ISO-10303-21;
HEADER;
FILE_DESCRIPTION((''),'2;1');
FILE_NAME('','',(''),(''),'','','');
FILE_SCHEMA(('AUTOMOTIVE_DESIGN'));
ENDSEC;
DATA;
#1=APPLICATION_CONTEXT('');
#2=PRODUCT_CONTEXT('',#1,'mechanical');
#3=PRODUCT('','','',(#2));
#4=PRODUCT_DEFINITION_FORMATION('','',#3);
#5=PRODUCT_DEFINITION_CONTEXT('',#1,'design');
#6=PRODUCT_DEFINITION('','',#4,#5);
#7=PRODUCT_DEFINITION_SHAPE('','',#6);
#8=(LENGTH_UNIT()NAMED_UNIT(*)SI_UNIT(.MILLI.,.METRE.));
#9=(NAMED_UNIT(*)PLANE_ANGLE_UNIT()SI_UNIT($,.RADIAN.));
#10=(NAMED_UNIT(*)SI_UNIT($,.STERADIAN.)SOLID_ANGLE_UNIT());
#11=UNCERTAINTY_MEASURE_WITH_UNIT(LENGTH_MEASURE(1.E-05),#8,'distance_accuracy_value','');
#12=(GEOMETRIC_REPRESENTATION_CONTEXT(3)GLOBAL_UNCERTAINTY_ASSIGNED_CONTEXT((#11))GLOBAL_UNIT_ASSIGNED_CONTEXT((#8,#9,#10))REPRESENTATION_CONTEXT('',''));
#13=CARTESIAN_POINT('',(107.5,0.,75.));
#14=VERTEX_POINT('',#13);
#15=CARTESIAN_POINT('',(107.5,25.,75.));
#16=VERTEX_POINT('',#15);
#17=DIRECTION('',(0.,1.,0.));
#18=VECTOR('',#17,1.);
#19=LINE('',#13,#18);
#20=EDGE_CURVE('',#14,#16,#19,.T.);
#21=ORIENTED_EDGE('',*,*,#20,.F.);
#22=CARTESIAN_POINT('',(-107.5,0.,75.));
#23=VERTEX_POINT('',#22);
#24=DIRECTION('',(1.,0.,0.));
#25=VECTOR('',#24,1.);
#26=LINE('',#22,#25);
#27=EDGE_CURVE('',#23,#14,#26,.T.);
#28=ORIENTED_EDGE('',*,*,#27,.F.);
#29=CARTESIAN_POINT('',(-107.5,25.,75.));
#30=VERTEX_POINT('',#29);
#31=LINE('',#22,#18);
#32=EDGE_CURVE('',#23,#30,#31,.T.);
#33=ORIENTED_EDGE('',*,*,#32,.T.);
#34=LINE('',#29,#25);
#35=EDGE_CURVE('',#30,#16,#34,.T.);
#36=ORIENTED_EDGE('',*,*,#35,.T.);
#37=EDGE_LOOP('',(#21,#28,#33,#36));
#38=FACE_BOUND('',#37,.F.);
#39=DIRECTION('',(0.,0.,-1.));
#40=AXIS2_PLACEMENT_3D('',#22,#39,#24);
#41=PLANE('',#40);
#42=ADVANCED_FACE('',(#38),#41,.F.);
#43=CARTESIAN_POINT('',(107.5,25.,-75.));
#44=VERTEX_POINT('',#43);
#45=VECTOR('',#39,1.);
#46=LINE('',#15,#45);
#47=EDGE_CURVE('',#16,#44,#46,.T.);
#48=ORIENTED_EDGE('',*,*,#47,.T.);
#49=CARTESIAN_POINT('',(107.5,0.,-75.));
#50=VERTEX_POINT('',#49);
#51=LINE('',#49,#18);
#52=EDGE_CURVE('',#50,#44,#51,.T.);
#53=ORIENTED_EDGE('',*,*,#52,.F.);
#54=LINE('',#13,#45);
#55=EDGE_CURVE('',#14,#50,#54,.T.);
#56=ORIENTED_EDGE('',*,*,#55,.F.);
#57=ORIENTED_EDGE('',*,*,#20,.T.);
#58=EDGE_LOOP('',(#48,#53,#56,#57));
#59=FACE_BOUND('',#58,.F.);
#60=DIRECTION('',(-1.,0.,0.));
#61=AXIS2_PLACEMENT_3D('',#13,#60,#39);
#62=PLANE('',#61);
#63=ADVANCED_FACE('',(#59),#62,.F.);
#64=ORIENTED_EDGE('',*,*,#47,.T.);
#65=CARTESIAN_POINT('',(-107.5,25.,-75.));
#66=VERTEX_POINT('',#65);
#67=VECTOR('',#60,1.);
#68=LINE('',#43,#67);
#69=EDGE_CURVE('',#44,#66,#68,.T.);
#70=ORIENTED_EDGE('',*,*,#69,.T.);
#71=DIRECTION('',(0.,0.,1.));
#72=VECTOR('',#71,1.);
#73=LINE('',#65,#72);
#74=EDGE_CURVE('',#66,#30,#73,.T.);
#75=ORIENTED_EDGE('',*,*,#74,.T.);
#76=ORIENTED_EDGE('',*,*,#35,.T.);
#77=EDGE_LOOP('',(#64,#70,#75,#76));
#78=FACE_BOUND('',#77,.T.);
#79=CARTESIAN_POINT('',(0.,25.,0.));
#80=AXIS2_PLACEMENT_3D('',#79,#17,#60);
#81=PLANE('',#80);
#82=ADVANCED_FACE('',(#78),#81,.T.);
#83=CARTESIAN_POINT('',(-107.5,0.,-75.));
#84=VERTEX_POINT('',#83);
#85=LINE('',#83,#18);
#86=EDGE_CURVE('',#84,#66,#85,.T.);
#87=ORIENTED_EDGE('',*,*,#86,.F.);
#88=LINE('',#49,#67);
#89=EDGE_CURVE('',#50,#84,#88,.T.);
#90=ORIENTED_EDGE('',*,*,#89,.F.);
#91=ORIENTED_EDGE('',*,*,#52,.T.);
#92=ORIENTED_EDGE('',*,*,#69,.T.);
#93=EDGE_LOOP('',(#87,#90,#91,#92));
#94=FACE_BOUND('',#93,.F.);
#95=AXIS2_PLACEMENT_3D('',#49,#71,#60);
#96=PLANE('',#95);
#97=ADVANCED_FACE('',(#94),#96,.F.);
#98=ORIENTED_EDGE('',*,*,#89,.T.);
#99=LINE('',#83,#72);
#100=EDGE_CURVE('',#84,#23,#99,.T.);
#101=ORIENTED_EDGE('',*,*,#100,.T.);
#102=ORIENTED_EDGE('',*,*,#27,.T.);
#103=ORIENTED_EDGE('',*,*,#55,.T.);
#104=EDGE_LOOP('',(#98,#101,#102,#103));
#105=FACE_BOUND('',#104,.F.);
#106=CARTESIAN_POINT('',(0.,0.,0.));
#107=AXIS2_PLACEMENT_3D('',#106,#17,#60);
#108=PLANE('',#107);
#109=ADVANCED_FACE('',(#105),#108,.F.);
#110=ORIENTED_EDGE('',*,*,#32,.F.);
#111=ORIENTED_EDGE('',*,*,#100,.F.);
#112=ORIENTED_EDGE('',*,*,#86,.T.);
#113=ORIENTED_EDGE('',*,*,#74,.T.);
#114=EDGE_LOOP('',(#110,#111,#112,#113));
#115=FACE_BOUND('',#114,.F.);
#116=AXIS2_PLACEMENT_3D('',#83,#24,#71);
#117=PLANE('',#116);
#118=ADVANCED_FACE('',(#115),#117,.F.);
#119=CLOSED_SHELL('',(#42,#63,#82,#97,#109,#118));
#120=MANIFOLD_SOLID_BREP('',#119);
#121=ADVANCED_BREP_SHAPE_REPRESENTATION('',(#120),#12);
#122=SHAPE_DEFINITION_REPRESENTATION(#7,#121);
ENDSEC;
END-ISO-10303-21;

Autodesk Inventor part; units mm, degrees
ref_plane "YZ Plane" through (0, 0, 0) normal (1, 0, 0) x (0, 1, 0)
ref_plane "XZ Plane" through (0, 0, 0) normal (0, 1, 0) x (-1, 0, 0)
ref_plane "XY Plane" through (0, 0, 0) normal (0, 0, 1) x (1, 0, 0)
sketch "Sketch1" plane through (0, 0, 0) normal (0, 1, 0) x (-1, 0, 0)
  line L0 (107.5, 75) -> (-107.5, 75)
  line L1 (-107.5, 75) -> (-107.5, -75)
  line L2 (-107.5, -75) -> (107.5, -75)
  line L3 (107.5, -75) -> (107.5, 75)
  line L4 (107.5, 75) -> (-107.5, -75) construction
  line L5 (-107.5, 75) -> (107.5, -75) construction
  point P0 (0, 0)
  dimension "d0" = 215
  dimension "d1" = 150
extrude "Extrusion1" add sketch "Sketch1" along normal blind 25
properties part number "TestPlate"
